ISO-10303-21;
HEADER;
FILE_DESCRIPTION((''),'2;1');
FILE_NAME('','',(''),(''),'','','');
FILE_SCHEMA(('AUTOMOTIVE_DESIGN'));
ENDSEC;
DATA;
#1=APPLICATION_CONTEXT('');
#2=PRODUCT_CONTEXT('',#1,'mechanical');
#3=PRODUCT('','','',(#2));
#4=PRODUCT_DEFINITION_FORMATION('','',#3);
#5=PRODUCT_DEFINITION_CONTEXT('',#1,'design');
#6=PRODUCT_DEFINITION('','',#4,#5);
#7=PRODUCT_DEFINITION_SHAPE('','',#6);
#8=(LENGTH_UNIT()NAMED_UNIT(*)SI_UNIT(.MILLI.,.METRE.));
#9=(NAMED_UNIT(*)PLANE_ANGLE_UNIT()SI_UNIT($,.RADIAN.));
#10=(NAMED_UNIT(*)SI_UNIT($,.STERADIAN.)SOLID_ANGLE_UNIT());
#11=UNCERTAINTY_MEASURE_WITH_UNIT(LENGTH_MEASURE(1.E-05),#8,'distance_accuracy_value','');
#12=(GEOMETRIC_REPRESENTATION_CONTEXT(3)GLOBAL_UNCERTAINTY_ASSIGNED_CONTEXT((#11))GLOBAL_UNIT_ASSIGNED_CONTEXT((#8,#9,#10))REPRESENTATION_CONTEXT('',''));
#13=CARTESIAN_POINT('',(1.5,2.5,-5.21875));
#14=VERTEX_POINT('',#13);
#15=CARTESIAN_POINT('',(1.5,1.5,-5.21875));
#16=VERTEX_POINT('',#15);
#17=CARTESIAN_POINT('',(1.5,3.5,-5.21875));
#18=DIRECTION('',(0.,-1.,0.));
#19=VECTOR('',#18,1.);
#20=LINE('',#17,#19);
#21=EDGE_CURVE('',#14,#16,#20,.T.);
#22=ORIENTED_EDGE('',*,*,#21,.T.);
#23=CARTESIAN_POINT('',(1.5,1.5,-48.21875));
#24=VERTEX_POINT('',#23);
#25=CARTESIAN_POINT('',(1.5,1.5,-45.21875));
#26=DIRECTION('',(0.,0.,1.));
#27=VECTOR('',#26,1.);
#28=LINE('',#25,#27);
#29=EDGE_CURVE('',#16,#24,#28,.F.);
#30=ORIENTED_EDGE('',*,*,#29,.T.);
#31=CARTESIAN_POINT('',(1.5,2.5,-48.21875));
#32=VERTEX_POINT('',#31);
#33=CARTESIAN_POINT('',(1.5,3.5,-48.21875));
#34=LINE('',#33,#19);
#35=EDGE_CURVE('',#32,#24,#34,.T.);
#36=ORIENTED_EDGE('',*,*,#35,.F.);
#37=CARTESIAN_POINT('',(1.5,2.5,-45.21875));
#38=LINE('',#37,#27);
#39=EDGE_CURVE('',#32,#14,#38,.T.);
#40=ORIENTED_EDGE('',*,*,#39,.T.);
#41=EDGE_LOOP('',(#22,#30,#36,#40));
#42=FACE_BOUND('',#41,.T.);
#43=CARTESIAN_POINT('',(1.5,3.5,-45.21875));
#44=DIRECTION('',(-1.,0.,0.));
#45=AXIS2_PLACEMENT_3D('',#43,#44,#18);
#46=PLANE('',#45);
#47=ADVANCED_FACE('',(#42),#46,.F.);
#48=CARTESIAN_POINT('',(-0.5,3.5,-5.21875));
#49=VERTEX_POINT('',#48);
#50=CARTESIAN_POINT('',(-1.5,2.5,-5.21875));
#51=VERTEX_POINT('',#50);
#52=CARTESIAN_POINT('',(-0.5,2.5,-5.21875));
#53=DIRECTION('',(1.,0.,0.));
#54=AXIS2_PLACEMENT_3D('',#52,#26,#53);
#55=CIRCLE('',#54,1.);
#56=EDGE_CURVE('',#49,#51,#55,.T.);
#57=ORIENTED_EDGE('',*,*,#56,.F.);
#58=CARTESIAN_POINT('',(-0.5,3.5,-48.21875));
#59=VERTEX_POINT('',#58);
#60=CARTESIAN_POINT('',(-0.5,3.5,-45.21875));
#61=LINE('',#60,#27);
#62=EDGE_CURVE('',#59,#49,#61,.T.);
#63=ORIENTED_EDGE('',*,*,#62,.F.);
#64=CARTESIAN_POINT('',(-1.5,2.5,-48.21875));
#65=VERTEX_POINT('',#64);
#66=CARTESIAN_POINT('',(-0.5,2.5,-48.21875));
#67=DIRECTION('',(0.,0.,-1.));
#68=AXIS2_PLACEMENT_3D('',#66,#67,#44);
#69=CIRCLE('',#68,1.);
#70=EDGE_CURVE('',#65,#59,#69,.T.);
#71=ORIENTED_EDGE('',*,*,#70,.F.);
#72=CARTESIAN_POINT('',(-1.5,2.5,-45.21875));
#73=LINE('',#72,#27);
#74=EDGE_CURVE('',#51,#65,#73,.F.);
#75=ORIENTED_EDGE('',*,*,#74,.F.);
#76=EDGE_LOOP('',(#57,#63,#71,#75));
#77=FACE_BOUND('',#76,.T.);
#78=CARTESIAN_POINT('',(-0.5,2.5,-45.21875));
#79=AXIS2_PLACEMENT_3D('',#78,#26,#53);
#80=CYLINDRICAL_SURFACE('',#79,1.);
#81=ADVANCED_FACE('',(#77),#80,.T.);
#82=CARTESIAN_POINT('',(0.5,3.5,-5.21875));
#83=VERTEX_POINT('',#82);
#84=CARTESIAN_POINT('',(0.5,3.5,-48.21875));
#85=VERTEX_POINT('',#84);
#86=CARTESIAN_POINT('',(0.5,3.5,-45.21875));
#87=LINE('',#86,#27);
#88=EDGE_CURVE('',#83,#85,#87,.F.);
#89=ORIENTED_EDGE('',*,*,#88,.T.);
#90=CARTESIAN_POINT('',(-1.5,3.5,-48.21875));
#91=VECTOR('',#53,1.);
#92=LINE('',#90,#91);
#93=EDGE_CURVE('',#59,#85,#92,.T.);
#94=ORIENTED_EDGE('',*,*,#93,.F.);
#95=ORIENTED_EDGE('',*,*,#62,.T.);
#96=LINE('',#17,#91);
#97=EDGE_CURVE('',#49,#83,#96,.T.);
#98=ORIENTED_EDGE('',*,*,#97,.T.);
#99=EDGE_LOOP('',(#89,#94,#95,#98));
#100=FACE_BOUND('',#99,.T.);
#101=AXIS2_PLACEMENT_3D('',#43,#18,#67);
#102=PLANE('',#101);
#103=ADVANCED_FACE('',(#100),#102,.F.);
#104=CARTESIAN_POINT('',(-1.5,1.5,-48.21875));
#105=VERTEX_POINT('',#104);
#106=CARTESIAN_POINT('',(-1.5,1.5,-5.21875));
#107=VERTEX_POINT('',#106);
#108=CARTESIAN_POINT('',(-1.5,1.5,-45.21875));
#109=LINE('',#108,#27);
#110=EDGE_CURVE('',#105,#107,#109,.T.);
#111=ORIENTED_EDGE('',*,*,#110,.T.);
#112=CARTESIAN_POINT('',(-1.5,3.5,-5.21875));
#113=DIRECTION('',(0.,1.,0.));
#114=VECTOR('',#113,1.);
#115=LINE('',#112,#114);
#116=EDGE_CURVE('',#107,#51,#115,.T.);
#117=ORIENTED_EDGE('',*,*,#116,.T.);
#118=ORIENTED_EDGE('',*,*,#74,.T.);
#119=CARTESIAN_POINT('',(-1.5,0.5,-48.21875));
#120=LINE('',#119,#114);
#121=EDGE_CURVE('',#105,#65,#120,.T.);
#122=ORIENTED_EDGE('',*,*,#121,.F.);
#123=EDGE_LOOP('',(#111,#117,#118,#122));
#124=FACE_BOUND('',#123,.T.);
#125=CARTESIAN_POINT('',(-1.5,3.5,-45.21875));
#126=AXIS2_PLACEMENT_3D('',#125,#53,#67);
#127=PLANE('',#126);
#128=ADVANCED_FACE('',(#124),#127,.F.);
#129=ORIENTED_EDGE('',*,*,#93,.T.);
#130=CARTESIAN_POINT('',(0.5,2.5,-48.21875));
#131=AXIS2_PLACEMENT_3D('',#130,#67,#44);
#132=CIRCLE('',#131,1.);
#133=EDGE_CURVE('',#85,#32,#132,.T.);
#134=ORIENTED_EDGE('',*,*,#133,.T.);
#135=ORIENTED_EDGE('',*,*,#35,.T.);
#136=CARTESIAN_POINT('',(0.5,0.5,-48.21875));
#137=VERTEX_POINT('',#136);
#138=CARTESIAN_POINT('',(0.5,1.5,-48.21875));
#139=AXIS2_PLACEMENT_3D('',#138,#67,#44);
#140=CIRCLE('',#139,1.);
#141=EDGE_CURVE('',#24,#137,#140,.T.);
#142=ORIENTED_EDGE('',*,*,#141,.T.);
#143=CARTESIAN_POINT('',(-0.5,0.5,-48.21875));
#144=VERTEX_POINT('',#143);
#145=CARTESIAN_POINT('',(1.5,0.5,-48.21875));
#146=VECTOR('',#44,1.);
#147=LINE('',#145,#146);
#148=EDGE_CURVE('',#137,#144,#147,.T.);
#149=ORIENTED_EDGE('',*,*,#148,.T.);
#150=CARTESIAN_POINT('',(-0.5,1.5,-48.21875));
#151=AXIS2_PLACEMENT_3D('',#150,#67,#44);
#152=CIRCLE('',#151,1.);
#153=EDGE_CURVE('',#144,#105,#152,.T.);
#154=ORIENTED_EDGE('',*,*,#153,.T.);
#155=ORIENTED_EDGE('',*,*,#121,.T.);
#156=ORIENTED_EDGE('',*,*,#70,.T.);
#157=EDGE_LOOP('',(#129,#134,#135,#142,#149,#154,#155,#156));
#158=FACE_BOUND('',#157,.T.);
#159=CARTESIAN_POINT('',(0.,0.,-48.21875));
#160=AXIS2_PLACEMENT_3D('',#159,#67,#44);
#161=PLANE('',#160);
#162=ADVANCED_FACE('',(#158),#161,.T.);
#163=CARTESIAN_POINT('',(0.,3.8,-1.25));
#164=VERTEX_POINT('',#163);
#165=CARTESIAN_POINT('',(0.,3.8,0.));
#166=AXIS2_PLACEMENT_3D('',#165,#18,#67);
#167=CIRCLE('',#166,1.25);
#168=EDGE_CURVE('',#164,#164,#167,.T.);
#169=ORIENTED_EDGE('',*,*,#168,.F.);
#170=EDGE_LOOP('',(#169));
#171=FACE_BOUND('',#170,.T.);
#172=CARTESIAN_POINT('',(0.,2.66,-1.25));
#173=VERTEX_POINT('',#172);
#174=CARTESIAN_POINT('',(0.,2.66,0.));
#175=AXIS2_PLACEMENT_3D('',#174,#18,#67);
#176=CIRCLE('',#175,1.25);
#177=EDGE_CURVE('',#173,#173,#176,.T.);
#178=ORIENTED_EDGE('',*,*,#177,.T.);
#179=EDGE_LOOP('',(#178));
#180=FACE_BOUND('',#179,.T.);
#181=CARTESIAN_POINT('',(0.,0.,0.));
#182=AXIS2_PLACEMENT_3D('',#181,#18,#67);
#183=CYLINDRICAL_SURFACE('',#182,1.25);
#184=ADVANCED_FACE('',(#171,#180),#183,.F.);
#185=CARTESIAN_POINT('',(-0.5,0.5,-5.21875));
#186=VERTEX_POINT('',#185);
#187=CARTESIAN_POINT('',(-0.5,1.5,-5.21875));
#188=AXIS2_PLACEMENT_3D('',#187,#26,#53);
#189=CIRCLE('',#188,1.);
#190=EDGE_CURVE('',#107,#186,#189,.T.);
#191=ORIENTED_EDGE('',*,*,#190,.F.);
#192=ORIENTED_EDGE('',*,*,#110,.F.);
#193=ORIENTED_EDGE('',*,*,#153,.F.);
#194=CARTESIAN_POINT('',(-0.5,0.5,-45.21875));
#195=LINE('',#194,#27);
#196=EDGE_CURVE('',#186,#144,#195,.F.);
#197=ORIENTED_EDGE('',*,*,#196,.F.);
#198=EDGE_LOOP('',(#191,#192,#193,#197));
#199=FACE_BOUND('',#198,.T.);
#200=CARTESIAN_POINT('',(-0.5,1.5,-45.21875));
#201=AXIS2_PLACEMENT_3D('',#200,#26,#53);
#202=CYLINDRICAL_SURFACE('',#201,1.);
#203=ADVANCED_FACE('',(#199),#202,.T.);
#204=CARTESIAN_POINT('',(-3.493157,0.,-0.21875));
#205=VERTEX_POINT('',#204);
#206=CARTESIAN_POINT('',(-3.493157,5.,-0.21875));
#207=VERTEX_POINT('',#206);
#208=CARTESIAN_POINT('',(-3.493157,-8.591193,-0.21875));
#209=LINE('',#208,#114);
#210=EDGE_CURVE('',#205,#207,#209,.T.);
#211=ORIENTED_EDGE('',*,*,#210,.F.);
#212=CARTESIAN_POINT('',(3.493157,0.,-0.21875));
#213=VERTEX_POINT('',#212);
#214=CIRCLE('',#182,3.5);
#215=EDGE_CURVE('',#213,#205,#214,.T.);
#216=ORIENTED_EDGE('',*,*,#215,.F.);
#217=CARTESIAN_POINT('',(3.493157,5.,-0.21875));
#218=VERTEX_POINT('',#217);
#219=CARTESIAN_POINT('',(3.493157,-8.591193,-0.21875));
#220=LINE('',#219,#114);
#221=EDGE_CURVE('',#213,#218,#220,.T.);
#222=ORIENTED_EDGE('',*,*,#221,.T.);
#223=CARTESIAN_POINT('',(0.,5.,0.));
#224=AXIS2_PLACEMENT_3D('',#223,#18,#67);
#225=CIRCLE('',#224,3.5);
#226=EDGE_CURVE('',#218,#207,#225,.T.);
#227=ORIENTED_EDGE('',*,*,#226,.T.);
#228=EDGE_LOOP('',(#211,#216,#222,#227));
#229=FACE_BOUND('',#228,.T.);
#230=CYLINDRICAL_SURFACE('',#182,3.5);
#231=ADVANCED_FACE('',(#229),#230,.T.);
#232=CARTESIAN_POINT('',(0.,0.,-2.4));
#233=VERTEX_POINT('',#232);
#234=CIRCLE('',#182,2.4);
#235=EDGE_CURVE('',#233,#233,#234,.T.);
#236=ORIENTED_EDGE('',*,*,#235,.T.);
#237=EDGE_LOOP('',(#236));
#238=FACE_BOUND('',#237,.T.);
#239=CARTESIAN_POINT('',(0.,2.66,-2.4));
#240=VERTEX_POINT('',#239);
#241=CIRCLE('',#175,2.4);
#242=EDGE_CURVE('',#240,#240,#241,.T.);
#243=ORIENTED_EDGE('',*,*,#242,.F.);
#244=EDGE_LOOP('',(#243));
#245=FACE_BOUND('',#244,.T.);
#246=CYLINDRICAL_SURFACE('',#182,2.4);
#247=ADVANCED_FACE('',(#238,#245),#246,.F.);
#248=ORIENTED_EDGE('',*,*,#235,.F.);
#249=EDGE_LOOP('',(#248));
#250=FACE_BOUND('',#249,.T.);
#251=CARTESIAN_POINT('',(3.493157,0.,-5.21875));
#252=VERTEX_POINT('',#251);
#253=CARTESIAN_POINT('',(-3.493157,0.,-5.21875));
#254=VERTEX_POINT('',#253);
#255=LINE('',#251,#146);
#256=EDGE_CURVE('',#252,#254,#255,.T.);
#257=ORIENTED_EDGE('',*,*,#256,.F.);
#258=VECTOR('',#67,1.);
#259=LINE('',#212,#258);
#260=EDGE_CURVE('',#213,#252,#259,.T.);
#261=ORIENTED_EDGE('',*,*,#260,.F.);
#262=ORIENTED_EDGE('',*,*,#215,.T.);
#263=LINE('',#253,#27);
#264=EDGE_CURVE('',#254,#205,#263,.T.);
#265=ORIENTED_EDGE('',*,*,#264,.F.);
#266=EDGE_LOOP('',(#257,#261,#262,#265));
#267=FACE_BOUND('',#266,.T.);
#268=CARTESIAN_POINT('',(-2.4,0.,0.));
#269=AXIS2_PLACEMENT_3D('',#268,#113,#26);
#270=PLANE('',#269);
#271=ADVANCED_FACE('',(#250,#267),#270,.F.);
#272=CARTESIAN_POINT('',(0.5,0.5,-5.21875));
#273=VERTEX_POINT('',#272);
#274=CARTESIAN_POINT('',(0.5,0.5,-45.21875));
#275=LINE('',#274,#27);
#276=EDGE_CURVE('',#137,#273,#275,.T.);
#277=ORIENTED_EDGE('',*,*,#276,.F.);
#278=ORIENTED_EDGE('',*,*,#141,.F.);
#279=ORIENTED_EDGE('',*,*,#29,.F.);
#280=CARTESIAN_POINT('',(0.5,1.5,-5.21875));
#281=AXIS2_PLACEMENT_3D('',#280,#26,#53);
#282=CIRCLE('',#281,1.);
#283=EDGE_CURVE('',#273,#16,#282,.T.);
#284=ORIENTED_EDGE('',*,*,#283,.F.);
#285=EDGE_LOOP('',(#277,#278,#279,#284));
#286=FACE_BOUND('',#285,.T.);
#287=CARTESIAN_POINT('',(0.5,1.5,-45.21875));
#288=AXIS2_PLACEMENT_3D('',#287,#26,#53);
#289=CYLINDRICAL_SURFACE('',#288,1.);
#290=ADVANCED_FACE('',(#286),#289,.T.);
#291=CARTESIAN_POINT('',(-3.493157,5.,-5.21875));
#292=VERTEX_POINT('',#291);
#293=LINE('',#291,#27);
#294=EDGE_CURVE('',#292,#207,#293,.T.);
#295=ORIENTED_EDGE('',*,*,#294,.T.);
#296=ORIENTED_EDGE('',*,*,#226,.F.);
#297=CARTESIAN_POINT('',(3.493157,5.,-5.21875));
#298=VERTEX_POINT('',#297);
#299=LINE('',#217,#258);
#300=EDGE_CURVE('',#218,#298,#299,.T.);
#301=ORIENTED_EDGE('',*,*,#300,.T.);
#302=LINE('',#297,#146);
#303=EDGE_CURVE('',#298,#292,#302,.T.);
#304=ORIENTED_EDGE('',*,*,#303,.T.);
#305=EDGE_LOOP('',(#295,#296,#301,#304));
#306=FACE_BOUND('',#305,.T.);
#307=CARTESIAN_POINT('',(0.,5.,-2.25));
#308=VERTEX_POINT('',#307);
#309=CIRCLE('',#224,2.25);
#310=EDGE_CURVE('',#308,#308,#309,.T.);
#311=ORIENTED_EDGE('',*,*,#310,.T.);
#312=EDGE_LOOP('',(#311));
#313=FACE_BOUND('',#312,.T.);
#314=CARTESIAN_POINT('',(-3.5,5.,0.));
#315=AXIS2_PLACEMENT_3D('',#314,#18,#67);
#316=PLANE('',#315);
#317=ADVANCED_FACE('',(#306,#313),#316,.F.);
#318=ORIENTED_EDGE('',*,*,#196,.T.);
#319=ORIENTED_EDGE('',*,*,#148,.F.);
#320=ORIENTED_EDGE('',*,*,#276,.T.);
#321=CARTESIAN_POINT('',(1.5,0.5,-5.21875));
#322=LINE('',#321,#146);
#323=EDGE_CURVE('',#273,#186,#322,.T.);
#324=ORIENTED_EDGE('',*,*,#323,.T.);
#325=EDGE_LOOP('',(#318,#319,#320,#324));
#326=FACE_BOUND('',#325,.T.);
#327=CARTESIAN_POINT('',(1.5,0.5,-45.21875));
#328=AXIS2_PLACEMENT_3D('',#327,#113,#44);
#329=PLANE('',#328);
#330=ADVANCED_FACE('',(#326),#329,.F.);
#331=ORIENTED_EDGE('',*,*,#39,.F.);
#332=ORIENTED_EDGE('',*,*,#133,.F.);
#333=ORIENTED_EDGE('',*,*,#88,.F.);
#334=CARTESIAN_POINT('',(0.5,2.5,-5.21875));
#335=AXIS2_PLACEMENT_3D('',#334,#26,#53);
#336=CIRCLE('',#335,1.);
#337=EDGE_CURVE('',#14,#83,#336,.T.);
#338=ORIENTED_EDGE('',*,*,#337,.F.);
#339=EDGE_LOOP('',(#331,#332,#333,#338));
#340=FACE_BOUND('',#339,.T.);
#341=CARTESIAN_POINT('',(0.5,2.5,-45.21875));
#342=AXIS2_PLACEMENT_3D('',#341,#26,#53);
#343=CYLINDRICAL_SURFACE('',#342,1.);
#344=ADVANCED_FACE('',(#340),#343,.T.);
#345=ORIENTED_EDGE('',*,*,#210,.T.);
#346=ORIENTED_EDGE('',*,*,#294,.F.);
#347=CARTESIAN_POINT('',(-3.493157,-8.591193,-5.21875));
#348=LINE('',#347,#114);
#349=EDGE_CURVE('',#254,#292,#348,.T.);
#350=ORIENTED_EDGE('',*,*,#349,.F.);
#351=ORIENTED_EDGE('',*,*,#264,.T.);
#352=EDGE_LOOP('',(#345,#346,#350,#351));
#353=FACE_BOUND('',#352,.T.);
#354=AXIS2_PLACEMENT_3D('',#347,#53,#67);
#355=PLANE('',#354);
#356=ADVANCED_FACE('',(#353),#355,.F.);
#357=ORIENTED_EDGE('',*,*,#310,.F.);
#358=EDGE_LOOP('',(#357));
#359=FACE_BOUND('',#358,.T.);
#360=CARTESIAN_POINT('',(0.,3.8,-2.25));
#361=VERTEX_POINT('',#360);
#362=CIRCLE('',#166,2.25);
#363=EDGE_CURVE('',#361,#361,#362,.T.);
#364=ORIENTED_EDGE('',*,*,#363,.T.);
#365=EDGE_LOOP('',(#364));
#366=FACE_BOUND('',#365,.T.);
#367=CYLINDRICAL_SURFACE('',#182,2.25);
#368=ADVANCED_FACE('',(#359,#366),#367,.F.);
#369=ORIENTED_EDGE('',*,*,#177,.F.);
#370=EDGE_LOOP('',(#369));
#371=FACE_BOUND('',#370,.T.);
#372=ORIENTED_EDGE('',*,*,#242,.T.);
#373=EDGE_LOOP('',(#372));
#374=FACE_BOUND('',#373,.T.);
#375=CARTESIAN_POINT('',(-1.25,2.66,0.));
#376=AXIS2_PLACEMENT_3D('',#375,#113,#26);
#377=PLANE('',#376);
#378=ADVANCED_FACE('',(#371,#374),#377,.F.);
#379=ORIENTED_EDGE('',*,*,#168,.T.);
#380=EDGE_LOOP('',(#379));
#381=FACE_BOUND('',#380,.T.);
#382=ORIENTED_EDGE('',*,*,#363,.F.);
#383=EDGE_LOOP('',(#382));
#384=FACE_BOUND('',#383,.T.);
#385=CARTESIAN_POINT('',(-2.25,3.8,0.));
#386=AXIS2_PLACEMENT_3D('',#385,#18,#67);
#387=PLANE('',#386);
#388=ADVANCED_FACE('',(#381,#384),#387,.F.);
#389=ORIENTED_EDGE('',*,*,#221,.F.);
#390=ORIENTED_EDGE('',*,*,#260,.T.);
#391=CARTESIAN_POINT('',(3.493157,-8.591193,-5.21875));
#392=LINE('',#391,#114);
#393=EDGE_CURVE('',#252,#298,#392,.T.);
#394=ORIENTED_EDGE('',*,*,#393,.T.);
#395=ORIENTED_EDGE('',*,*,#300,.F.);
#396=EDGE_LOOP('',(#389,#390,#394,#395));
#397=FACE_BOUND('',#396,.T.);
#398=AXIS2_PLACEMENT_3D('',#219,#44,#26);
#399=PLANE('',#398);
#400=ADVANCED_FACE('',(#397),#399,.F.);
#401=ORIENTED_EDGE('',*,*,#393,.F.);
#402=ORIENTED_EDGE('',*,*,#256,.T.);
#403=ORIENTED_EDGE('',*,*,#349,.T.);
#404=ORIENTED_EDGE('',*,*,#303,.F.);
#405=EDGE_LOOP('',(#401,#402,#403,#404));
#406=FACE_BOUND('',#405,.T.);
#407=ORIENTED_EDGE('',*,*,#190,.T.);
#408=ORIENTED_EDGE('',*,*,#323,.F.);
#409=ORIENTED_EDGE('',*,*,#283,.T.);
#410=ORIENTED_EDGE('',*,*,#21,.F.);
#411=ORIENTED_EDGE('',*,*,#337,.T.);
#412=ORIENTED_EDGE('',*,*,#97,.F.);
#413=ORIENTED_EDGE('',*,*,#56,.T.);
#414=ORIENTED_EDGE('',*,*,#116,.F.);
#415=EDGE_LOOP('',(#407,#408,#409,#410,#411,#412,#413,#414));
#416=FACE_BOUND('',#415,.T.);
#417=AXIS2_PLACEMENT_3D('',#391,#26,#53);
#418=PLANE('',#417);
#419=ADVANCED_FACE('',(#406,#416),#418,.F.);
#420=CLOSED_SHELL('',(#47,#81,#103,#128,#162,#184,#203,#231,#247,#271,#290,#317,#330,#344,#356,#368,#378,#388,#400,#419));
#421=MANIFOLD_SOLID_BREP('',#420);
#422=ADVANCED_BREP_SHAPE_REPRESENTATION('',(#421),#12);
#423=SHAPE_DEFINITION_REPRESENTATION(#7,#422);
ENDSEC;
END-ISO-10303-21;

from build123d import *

# Parameters (mm, degrees)
EXTRUDE_1_DEPTH = 2
EXTRUDE_START   = -3
EXTRUDE_2_DEPTH = 3
SKETCH_4_W      = 3
SKETCH_4_H      = 3
EXTRUDE_3_DEPTH = 40
SKETCH_6_W      = 3
SKETCH_6_H      = 3
EXTRUDE_4_DEPTH = 3
FILLET_1_R      = 1


with BuildPart() as part:
    # 草图1 → 旋转1 (revolve)
    with BuildSketch(Plane.XY, mode=Mode.PRIVATE) as revolve_1_sk:
        Polygon((-2.4, 0), (-3.5, 0), (-3.5, 5), (-2.25, 5), (-2.25, 3.8), (-1.25, 3.8), (-1.25, 2.66), (-2.4, 2.66), align=None)
    revolve(revolve_1_sk.sketch.rotate(Axis((0, 0, 0), (0, 1, 0)), 270), axis=Axis((0, 0, 0), (0, 1, 0)))

    # 草图2 → 凸台-拉伸1 (add)
    with BuildSketch(Plane(origin=(0, 2, 0), x_dir=(-1, 0, 0), z_dir=(0, -1, 0))):
        with BuildLine():
            Line((-3.493157374, 0.21875), (-3.493157374, 5.21875))
            Line((-3.493157374, 5.21875), (3.493157374, 5.21875))
            Line((3.493157374, 5.21875), (3.493157374, 0.21875))
            ThreePointArc((3.493157374, 0.21875), (0, 3.5), (-3.493157374, 0.21875))
        make_face()
    extrude(amount=EXTRUDE_1_DEPTH)

    # 草图2<2> → 凸台-拉伸2 (add)
    with BuildSketch(Plane(origin=(0, 2, 0), x_dir=(-1, 0, 0), z_dir=(0, -1, 0)).offset(EXTRUDE_START)):
        with BuildLine():
            Line((-3.493157374, 0.21875), (-3.493157374, 5.21875))
            Line((-3.493157374, 5.21875), (3.493157374, 5.21875))
            Line((3.493157374, 5.21875), (3.493157374, 0.21875))
            ThreePointArc((3.493157374, 0.21875), (0, 3.5), (-3.493157374, 0.21875))
        make_face()
    extrude(amount=EXTRUDE_2_DEPTH)

    # 草图4 → 凸台-拉伸3 (add)
    with BuildSketch(Plane(origin=(0, 0, -5.21875), x_dir=(-1, 0, 0), z_dir=(0, 0, -1))):
        with Locations((0, 2)):
            Rectangle(SKETCH_4_W, SKETCH_4_H)
    extrude(amount=EXTRUDE_3_DEPTH)

    # 草图6 → 凸台-拉伸4 (add)
    with BuildSketch(Plane(origin=(0, 0, -45.21875), x_dir=(-1, 0, 0), z_dir=(0, 0, -1))):
        with Locations((0, 2)):
            Rectangle(SKETCH_6_W, SKETCH_6_H)
    extrude(amount=EXTRUDE_4_DEPTH)

    # 圆角1
    fillet_1_edges = [part.edges().sort_by_distance(p)[0] for p in [
        (-1.5, 0.5, -26.71875),
        (-1.5, 3.5, -26.71875),
        (1.5, 3.5, -26.71875),
        (1.5, 0.5, -26.71875),
    ]]
    fillet(fillet_1_edges, radius=FILLET_1_R)


solid = part.part
